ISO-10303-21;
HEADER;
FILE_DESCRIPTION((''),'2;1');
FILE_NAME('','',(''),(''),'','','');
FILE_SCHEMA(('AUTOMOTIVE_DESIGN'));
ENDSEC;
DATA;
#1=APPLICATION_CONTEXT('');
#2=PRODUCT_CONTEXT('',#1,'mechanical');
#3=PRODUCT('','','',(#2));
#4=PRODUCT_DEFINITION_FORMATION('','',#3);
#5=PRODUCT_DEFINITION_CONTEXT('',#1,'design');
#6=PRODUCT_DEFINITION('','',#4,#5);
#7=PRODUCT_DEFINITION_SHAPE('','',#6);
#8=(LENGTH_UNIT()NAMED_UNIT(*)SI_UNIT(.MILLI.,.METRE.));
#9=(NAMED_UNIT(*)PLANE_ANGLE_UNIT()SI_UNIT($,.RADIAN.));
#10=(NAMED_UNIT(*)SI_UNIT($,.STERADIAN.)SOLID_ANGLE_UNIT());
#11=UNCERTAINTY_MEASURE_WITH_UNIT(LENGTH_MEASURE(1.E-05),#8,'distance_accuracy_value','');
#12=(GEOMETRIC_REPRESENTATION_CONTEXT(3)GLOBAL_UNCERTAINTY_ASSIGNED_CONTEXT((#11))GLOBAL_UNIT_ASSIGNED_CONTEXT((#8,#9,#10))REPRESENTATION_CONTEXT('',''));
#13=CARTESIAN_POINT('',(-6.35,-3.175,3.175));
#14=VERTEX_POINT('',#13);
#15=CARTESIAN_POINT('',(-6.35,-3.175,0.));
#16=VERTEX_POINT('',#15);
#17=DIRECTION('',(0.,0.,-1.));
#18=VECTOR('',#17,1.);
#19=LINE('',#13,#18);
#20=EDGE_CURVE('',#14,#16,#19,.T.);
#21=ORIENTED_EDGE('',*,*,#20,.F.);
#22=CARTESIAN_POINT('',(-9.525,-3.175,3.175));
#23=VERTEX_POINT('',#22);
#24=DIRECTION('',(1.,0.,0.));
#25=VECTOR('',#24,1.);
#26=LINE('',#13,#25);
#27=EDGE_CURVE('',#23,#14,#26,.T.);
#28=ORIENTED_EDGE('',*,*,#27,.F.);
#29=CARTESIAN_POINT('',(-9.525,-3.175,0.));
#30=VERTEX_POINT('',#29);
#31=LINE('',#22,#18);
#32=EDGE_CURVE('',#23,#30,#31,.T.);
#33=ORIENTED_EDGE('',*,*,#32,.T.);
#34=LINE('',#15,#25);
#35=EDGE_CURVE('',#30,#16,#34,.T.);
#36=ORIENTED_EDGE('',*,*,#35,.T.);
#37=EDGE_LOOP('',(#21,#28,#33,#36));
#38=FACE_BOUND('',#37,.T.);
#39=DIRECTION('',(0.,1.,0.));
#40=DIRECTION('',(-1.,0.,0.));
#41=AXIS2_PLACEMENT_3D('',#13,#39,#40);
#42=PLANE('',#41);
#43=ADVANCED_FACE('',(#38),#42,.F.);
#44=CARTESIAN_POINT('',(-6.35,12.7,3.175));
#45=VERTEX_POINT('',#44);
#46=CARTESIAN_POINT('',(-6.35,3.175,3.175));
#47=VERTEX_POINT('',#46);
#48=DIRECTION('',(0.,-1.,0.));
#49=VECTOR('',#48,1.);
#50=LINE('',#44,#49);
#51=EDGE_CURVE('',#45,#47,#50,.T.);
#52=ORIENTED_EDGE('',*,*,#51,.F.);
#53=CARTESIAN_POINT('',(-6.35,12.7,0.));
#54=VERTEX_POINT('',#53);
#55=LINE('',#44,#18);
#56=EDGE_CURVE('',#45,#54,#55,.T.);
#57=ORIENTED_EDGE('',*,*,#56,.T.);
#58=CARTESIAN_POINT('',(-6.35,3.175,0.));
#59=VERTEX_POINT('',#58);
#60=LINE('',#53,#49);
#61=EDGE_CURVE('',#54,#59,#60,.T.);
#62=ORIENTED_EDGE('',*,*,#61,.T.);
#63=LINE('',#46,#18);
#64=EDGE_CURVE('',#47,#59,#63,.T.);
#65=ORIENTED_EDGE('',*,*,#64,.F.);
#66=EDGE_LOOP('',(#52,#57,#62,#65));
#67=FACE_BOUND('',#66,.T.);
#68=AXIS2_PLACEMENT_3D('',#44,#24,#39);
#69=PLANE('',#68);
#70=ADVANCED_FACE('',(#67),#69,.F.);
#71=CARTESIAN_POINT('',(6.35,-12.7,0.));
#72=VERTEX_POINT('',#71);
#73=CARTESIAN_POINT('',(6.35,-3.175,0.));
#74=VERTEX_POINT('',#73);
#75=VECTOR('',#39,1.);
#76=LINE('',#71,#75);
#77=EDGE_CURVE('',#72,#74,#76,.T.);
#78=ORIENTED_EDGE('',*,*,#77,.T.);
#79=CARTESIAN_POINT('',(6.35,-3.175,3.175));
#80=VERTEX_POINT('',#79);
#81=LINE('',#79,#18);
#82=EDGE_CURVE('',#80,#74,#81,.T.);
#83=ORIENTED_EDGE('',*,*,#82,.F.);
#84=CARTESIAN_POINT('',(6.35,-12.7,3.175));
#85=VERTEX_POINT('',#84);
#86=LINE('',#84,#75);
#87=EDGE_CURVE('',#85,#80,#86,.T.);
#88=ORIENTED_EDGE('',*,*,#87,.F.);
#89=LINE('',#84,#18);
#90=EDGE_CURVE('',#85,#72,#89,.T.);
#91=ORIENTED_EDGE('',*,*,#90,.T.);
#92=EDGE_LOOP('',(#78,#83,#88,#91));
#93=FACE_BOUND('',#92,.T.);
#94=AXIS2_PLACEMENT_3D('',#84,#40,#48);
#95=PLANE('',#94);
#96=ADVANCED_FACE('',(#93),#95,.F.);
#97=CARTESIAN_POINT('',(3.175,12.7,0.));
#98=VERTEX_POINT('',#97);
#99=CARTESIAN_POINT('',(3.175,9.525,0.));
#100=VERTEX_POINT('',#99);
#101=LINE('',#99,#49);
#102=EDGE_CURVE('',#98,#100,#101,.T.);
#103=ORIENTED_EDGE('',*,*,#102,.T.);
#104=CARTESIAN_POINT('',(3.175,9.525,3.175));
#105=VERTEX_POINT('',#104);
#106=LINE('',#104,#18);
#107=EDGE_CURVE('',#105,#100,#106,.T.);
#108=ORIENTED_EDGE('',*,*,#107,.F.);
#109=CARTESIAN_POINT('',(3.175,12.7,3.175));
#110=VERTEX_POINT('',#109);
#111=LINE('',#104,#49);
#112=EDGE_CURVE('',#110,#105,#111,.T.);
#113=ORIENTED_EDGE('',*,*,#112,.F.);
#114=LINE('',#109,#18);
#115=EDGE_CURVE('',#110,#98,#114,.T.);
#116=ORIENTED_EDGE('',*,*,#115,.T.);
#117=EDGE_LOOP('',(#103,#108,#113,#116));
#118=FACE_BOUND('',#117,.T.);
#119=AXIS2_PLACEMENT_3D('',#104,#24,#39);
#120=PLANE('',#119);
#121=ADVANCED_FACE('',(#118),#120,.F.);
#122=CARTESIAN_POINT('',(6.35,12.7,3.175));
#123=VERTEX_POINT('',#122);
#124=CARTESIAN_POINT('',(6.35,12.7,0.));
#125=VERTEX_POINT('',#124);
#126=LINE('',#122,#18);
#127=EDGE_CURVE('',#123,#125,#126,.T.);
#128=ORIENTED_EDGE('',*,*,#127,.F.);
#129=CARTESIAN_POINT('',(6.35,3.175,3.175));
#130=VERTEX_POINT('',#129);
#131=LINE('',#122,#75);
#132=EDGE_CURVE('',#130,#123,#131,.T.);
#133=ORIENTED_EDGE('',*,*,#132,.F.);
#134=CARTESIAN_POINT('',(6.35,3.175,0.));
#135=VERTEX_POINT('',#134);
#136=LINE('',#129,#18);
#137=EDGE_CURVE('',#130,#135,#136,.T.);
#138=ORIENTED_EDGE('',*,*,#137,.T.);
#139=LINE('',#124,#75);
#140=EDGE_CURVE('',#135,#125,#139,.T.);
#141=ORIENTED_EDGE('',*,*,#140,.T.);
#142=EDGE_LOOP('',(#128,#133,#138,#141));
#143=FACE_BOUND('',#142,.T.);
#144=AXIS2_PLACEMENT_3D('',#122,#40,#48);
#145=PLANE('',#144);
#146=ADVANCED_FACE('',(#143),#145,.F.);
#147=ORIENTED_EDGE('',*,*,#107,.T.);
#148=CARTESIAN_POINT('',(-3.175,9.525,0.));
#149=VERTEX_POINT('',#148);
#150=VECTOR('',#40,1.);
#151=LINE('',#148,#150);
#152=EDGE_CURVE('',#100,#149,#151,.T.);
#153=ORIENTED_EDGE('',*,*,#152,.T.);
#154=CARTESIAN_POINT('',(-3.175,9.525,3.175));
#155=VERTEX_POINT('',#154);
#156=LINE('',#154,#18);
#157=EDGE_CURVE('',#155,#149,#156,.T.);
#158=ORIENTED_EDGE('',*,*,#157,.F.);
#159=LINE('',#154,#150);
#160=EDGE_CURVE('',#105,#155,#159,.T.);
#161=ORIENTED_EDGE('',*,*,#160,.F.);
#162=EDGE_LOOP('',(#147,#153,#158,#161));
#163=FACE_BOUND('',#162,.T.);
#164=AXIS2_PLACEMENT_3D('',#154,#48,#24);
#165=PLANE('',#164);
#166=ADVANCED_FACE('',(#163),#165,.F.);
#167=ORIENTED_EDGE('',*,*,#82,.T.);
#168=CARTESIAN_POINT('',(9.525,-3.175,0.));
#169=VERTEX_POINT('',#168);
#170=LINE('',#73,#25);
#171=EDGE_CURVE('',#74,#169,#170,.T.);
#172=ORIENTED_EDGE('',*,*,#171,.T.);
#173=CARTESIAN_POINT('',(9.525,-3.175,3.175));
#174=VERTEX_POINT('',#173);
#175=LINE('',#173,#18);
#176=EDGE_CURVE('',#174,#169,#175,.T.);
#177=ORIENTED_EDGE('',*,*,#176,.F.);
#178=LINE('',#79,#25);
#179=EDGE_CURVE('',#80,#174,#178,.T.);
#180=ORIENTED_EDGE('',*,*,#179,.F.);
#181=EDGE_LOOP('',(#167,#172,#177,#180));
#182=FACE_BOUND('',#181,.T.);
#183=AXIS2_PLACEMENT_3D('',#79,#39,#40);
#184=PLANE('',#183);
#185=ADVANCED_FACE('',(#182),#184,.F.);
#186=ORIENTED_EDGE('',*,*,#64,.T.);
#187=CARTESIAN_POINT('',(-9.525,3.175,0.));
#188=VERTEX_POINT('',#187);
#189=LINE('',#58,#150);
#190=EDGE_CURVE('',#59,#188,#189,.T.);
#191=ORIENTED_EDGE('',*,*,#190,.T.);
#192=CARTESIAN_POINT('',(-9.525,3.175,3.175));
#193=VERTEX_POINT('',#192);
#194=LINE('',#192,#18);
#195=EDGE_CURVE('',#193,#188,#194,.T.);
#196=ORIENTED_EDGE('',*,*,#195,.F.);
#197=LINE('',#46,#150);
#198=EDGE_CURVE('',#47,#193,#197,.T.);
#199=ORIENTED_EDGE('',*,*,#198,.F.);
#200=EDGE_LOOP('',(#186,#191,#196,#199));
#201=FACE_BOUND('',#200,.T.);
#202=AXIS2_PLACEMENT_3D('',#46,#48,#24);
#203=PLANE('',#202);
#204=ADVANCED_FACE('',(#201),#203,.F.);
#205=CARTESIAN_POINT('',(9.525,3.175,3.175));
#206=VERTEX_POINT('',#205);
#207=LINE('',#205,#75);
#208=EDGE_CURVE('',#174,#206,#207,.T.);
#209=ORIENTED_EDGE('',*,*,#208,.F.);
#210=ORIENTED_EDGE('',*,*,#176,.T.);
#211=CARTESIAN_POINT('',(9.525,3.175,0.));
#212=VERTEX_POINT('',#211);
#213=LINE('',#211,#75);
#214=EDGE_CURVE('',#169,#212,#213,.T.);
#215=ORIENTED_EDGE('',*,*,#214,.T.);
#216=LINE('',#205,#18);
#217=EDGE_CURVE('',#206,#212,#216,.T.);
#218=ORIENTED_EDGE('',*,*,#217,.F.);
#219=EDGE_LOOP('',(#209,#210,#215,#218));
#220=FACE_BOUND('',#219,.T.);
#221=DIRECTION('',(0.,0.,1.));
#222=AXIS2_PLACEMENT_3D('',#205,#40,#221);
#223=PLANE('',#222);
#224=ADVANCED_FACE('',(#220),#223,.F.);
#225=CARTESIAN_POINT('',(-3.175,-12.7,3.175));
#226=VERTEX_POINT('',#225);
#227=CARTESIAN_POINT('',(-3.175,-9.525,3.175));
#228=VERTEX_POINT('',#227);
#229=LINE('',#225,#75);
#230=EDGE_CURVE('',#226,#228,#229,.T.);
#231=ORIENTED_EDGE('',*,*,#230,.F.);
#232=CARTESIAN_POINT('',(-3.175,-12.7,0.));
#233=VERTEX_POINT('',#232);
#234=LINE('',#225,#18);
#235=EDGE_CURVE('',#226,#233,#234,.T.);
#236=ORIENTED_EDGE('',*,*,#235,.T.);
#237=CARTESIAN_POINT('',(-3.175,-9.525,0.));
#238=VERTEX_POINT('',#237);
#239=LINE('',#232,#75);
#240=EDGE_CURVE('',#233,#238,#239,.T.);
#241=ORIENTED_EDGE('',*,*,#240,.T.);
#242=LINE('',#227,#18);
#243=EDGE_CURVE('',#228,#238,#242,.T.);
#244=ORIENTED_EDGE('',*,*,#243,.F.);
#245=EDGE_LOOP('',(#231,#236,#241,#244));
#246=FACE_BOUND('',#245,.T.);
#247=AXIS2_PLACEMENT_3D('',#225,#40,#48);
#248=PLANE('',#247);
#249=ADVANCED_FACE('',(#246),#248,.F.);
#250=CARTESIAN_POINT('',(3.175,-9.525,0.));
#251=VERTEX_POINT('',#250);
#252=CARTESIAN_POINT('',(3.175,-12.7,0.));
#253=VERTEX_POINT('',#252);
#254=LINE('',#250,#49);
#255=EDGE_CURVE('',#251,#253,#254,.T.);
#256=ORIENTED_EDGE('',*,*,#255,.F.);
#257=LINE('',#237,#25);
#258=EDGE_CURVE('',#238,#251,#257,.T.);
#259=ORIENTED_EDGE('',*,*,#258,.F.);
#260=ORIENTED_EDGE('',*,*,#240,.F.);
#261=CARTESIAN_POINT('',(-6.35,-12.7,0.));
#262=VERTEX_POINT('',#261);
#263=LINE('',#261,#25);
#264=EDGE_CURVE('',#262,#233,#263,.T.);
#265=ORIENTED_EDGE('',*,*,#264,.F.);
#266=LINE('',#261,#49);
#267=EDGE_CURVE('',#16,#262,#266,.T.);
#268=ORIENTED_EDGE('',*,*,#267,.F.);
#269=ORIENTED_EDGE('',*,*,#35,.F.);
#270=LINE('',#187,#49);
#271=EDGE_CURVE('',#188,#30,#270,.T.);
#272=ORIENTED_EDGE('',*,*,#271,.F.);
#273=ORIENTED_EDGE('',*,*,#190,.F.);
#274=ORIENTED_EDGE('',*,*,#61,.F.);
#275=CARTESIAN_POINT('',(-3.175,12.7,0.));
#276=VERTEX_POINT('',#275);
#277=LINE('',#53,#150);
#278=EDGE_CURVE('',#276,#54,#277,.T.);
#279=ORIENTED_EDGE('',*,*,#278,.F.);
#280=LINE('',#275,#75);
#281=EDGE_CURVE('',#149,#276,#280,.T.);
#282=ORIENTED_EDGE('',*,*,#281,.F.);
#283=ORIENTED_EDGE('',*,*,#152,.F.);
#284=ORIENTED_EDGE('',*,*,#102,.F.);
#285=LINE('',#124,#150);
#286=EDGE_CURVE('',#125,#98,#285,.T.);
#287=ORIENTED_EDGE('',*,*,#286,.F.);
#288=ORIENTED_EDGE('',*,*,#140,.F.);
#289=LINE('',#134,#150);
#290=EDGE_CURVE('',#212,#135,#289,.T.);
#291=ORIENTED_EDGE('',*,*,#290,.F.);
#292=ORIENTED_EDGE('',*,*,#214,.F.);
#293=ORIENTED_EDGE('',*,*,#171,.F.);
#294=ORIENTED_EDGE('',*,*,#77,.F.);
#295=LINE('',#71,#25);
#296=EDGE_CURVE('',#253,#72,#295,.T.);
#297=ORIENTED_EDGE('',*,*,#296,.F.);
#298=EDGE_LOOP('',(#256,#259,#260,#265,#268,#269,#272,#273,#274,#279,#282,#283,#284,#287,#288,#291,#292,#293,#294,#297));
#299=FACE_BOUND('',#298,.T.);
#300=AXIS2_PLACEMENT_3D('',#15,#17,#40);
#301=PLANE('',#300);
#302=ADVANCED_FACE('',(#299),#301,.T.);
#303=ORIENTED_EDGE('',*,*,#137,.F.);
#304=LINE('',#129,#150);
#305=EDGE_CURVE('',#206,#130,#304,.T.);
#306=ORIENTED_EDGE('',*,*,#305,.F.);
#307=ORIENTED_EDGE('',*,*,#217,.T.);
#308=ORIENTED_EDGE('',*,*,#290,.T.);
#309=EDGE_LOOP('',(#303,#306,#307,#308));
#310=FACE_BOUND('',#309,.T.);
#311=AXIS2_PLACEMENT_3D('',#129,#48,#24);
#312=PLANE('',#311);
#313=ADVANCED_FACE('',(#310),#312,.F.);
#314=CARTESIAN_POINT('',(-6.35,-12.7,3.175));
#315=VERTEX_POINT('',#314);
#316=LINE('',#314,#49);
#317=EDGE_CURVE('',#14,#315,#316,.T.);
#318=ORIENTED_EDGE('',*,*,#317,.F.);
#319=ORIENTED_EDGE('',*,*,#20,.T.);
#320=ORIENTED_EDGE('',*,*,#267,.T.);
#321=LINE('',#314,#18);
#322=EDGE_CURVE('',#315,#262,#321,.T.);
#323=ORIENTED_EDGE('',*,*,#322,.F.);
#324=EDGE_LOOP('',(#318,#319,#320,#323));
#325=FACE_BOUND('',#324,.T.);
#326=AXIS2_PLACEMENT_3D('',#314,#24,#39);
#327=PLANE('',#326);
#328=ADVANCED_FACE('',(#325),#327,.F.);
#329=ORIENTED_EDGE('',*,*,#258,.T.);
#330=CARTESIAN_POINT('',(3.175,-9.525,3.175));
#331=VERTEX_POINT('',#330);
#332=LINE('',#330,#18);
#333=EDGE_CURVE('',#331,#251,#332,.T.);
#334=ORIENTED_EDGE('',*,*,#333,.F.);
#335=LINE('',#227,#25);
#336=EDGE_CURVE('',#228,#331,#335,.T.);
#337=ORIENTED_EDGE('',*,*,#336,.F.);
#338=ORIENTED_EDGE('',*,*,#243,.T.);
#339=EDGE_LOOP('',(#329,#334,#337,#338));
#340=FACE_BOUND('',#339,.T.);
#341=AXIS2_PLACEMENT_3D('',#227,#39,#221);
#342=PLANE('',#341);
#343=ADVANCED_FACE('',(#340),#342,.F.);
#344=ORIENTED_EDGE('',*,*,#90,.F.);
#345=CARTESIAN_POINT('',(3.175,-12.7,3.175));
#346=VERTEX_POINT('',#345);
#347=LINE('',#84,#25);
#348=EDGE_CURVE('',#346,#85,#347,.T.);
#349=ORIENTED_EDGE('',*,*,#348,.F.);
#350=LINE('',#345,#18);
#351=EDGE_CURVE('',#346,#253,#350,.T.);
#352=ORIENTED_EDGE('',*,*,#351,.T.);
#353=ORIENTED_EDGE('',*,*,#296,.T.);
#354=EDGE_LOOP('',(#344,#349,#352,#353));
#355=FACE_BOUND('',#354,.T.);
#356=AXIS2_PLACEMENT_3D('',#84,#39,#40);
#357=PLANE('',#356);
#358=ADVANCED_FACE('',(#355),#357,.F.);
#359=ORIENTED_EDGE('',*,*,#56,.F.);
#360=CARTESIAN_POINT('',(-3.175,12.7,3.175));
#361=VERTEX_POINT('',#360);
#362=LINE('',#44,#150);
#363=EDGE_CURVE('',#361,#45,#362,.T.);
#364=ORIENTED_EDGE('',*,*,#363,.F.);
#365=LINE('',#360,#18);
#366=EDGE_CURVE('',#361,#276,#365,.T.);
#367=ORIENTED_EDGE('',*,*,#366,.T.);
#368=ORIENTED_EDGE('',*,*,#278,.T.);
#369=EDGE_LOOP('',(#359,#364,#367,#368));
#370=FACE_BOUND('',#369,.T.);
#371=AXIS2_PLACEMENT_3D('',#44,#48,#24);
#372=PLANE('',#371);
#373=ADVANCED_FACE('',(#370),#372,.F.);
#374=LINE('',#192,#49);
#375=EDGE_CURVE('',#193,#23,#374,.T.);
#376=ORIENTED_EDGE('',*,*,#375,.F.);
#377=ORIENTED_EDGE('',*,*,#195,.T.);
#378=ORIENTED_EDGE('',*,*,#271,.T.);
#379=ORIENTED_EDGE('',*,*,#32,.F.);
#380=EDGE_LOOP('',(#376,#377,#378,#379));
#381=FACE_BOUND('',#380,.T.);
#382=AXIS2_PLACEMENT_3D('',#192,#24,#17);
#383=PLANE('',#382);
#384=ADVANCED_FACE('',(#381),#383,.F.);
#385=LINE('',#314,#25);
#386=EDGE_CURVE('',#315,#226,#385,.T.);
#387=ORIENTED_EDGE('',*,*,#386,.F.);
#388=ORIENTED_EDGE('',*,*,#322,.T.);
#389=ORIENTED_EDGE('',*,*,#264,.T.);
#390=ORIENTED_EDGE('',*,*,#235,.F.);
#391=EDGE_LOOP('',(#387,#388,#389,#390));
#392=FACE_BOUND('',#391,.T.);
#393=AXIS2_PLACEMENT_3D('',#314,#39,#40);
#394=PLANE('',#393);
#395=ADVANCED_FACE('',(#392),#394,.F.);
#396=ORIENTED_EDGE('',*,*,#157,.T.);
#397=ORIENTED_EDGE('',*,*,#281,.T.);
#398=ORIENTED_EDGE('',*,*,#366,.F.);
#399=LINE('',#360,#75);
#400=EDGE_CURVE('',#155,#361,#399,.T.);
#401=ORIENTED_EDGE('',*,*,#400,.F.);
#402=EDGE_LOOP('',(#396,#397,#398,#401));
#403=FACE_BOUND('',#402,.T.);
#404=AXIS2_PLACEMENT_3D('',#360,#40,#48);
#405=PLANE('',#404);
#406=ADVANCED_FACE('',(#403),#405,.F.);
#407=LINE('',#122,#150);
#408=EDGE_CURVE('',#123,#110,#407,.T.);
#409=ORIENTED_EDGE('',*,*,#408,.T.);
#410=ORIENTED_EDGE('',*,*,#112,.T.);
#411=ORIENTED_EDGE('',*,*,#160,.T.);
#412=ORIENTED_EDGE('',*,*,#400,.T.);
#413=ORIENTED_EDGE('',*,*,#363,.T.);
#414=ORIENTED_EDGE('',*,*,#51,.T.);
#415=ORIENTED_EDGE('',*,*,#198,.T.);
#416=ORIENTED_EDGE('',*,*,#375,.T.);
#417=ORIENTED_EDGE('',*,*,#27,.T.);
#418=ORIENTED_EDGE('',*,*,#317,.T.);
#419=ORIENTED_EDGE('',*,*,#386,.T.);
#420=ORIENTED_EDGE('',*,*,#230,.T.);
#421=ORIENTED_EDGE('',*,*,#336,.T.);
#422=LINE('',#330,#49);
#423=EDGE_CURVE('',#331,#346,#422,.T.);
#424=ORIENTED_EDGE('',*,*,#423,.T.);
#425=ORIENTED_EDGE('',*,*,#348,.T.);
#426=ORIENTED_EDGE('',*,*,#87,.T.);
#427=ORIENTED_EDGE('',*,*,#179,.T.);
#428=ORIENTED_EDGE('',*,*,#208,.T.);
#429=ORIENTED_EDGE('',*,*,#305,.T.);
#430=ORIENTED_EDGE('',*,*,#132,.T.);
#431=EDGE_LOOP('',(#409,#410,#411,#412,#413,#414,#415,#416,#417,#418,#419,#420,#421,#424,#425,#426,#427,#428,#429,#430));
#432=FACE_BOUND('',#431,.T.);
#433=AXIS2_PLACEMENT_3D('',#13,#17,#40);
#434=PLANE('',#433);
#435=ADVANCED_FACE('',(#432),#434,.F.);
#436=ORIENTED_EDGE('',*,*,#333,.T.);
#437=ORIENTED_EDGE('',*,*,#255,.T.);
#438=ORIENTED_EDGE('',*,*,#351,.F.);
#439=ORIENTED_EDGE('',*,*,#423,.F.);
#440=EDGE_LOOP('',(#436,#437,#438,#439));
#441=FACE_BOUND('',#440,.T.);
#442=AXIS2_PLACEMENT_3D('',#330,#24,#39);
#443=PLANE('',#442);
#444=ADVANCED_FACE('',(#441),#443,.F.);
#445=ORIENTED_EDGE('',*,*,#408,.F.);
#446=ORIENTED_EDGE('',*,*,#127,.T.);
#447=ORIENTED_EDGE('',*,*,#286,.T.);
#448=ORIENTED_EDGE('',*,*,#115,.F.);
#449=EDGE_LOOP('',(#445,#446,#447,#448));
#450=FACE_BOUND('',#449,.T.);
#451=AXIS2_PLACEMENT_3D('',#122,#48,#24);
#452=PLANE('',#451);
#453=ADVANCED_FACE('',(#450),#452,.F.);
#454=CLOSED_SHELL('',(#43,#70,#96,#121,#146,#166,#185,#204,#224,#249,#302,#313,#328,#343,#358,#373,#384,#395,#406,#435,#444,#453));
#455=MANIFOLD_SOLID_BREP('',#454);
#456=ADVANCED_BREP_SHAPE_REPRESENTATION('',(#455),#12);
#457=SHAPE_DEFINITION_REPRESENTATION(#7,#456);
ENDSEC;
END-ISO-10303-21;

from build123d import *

# Parameters (mm, degrees)
EXTRUDE1_DEPTH = 3.175


with BuildPart() as part:
    # Sketch1 → Extrude1 (new body)
    with BuildSketch(Plane.XY):
        Polygon((-6.35, 12.7), (-3.175, 12.7), (-3.175, 9.525), (3.175, 9.525), (3.175, 12.7), (6.35, 12.7), (6.35, 3.175), (9.525, 3.175), (9.525, -3.175), (6.35, -3.175), (6.35, -12.7), (3.175, -12.7), (3.175, -9.525), (-3.175, -9.525), (-3.175, -12.7), (-6.35, -12.7), (-6.35, -3.175), (-9.525, -3.175), (-9.525, 3.175), (-6.35, 3.175), align=None)
    extrude(amount=EXTRUDE1_DEPTH)


solid = part.part
